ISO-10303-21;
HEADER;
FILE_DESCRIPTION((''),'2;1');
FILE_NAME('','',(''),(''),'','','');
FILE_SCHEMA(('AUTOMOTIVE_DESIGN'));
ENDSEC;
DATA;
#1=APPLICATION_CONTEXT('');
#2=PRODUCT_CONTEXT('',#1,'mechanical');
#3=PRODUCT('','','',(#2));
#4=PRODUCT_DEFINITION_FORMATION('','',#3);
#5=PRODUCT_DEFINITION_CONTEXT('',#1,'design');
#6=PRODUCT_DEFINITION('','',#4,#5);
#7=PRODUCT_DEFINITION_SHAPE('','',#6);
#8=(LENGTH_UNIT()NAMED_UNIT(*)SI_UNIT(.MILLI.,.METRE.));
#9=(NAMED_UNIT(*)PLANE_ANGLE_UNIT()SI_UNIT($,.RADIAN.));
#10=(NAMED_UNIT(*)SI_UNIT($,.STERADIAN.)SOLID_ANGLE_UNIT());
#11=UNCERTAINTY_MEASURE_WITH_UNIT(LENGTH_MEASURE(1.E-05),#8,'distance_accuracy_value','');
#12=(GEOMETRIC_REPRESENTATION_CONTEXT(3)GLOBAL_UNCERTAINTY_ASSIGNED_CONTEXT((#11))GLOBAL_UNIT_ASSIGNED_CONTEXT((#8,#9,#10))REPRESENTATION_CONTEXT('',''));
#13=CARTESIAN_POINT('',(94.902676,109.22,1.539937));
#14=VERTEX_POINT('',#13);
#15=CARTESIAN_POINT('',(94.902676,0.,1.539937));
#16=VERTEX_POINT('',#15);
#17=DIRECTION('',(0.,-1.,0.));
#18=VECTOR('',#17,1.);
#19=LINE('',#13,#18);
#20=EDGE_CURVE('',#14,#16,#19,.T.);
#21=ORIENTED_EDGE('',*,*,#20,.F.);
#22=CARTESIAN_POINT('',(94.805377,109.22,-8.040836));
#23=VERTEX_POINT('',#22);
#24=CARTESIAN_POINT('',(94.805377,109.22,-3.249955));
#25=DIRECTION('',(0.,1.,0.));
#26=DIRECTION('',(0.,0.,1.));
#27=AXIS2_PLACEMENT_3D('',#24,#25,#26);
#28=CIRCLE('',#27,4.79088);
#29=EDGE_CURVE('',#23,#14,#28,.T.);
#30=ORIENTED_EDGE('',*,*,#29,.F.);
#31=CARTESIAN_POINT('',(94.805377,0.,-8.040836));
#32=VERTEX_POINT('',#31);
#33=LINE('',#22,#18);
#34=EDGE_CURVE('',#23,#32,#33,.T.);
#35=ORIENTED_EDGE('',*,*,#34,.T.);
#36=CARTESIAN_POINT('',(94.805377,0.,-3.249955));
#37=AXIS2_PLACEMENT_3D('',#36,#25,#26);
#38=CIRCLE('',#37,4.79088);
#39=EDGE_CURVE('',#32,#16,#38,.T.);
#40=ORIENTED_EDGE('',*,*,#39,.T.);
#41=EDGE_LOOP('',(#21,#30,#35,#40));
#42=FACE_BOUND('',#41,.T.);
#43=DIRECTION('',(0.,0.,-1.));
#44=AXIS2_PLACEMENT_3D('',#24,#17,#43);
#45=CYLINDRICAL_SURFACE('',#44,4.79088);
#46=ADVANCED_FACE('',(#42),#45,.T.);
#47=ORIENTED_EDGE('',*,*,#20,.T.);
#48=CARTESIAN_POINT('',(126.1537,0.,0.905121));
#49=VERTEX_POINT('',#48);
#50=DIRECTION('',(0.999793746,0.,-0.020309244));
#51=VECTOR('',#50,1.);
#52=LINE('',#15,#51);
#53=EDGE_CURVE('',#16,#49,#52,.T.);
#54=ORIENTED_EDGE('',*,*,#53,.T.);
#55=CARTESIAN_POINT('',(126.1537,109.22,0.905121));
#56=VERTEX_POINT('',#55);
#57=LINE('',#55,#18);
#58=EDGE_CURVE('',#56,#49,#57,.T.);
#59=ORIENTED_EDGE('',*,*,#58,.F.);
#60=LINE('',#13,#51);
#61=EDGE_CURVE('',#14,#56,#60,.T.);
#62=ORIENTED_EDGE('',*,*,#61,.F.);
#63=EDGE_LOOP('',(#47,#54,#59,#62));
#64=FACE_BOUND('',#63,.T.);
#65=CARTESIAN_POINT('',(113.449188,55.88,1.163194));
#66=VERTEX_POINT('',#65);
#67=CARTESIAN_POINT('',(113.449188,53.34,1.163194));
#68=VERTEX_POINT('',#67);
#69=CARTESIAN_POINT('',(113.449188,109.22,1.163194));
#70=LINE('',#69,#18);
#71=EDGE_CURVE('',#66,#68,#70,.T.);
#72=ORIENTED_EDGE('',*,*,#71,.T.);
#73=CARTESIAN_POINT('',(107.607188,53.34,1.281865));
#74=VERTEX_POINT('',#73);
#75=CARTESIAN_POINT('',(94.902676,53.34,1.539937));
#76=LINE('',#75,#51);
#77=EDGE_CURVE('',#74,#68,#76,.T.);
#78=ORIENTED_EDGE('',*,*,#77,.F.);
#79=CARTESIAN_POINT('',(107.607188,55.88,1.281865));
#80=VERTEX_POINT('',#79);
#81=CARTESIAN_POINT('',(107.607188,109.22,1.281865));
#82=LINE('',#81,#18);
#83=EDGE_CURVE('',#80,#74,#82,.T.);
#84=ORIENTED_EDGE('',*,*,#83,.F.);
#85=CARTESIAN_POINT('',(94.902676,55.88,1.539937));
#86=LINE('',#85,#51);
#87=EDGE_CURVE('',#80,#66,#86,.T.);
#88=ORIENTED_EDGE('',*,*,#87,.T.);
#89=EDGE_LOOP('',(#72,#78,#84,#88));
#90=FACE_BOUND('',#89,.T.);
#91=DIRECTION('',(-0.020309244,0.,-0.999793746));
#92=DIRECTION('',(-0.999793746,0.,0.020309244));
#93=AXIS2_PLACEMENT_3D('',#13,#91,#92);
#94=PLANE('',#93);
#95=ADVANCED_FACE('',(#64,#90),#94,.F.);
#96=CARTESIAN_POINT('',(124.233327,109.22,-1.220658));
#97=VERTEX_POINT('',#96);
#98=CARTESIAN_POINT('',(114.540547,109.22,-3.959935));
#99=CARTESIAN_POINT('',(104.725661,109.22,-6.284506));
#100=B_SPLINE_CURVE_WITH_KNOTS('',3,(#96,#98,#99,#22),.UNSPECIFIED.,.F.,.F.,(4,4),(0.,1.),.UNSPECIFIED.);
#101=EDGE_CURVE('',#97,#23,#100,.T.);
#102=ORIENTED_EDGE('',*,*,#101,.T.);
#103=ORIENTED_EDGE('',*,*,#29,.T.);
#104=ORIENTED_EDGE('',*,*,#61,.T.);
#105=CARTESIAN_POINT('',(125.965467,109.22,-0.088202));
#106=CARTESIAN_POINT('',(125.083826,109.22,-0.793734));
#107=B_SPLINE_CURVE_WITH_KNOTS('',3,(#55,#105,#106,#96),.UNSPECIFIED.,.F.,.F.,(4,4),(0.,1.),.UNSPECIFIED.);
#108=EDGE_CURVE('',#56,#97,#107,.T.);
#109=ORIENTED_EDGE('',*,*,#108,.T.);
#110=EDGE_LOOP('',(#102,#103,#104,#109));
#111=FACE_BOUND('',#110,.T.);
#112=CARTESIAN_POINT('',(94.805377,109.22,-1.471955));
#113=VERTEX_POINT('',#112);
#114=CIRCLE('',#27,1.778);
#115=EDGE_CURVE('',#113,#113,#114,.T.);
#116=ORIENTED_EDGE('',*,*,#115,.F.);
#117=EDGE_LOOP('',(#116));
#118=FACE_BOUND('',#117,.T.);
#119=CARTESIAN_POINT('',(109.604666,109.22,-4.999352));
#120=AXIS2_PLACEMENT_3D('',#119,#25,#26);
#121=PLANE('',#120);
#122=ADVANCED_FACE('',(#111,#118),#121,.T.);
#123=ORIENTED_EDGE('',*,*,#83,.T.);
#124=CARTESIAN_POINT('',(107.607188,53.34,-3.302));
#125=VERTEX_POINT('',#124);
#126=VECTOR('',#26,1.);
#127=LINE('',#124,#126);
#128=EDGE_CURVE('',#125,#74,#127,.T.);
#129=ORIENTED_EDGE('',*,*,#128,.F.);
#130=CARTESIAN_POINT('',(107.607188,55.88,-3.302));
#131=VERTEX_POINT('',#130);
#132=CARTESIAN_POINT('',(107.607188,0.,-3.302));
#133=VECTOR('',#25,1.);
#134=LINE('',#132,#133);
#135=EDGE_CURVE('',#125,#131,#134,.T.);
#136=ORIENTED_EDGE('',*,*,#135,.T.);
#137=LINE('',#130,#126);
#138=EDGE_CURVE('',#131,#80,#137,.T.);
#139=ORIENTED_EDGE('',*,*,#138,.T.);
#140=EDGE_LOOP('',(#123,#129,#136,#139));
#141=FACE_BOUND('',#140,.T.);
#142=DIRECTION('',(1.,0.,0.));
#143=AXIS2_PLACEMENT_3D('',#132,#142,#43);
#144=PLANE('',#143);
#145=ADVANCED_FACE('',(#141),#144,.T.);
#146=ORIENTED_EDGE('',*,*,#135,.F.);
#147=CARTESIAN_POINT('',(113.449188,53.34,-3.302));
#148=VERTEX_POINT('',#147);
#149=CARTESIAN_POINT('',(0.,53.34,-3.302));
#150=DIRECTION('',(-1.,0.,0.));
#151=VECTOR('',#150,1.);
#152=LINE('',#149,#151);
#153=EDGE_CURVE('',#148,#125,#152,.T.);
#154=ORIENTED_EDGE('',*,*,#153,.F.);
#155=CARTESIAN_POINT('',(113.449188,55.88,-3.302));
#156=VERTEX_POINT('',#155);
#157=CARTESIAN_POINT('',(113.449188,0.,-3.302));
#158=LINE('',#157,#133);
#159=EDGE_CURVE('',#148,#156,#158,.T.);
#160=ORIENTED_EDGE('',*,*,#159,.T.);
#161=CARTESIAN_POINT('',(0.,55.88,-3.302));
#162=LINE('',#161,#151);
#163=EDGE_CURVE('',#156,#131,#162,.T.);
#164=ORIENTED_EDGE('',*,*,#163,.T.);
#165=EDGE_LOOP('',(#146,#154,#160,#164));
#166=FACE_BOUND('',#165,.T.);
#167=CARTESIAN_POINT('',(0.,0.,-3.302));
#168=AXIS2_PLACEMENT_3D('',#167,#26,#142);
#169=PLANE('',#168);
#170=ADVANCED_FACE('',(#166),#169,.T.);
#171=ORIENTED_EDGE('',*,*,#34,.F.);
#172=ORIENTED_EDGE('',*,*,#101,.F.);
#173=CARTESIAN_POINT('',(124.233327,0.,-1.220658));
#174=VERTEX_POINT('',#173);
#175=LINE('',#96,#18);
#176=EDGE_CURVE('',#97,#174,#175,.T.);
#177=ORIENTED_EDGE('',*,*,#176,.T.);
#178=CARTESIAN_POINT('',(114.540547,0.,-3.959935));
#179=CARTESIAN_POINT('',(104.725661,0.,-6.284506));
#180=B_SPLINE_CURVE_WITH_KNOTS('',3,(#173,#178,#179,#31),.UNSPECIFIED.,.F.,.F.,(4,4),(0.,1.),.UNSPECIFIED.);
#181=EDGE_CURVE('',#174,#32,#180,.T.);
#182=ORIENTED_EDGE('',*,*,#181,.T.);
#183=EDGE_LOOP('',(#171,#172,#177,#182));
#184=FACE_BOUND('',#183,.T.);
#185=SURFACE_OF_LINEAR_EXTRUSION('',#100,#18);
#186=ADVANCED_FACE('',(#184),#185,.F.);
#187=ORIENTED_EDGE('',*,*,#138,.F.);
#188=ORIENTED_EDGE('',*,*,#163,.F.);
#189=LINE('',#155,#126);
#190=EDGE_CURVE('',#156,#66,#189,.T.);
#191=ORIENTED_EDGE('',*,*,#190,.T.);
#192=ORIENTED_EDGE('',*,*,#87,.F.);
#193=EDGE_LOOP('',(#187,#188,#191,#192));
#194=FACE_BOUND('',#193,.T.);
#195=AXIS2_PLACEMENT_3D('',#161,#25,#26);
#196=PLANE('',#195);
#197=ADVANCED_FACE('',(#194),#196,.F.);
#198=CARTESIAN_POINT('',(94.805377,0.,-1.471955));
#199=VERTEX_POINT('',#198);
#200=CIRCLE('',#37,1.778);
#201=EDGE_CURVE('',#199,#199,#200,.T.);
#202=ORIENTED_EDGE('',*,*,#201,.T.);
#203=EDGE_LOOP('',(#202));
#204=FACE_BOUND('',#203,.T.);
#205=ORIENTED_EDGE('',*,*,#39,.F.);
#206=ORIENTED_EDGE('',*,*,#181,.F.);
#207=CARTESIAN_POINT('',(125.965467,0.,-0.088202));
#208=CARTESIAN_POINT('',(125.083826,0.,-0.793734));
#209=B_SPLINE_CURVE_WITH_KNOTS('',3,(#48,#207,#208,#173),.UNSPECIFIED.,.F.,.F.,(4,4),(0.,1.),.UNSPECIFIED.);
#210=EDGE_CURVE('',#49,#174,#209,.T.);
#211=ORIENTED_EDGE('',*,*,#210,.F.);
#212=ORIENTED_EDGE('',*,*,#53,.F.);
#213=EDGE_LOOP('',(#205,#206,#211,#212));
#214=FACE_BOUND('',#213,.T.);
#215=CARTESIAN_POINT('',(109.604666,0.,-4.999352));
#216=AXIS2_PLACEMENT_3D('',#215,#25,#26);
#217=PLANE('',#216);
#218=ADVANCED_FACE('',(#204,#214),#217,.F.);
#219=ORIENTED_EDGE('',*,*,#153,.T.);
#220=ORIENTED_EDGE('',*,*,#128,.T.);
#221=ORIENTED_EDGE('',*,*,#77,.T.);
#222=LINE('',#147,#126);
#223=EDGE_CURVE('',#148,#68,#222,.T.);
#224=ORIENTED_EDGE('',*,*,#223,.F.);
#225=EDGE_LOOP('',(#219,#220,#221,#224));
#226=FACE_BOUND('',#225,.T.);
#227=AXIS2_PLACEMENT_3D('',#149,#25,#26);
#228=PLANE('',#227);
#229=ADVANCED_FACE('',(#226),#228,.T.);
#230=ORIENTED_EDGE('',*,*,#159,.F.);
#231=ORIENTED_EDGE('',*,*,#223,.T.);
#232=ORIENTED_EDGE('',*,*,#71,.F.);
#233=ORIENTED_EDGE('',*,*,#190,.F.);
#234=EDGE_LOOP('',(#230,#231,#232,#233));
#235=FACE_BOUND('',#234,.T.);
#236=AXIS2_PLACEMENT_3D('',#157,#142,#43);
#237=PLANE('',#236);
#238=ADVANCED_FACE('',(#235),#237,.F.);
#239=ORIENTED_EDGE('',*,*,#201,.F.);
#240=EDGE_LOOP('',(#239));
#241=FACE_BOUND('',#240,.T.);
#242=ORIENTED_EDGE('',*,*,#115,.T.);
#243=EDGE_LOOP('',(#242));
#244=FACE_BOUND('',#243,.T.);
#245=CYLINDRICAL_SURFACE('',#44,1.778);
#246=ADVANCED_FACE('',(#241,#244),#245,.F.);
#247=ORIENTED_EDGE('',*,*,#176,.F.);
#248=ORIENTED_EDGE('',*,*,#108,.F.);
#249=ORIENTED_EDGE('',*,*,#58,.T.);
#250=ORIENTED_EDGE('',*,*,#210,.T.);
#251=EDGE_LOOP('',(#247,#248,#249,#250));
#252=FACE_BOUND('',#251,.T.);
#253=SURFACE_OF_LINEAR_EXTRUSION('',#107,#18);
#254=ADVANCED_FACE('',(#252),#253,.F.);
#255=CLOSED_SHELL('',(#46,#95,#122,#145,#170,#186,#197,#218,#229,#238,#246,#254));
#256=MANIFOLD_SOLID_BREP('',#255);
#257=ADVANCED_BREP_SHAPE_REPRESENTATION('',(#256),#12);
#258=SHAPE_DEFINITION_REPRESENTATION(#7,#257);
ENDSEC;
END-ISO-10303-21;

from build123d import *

# Parameters (mm, degrees)
SKETCH1_R           = 1.778
BOSS_EXTRUDE1_DEPTH = 109.22
SKETCH3_W           = 2.921
SKETCH3_H           = 1.27
CUT_EXTRUDE1_DEPTH  = 5.842


with BuildPart() as part:
    # Sketch1 → Boss-Extrude1 (new body)
    with BuildSketch(Plane(origin=(0, 0, 0), x_dir=(1, 0, 0), z_dir=(0, 1, 0))):
        with BuildLine():
            Line((94.902676098, -1.539936949), (126.153699606, -0.905121353))
            add(Edge.make_bspline(
                [(124.23332742, 1.220658438), (125.083825562, 0.793733928), (125.965467473, 0.088202275), (126.153699606, -0.905121353)],
                knots=[0, 0, 0, 0, 1, 1, 1, 1], degree=3))
            add(Edge.make_bspline(
                [(94.805376938, 8.04083585), (104.725661306, 6.284506107), (114.540546966, 3.959935264), (124.23332742, 1.220658438)],
                knots=[0, 0, 0, 0, 1, 1, 1, 1], degree=3))
            ThreePointArc((94.805376938, 8.04083585), (90.01474351, 3.201303292), (94.902676098, -1.539936949))
        make_face()
        with Locations(Location((94.805376938, 3.249955381, 0), (0, 0, 270))):
            Circle(SKETCH1_R, mode=Mode.SUBTRACT)
    extrude(amount=BOSS_EXTRUDE1_DEPTH)

    # Sketch3 → Cut-Extrude1 (cut)
    with BuildSketch(Plane.XY.offset(2.54)):
        with Locations((109.067687852, 55.245)):
            Rectangle(SKETCH3_W, SKETCH3_H)
        with Locations((111.988687852, 55.245)):
            Rectangle(SKETCH3_W, SKETCH3_H)
        with Locations((109.067687852, 53.975)):
            Rectangle(SKETCH3_W, SKETCH3_H)
        with Locations((111.988687852, 53.975)):
            Rectangle(SKETCH3_W, SKETCH3_H)
    extrude(amount=-CUT_EXTRUDE1_DEPTH, mode=Mode.SUBTRACT)


solid = part.part
